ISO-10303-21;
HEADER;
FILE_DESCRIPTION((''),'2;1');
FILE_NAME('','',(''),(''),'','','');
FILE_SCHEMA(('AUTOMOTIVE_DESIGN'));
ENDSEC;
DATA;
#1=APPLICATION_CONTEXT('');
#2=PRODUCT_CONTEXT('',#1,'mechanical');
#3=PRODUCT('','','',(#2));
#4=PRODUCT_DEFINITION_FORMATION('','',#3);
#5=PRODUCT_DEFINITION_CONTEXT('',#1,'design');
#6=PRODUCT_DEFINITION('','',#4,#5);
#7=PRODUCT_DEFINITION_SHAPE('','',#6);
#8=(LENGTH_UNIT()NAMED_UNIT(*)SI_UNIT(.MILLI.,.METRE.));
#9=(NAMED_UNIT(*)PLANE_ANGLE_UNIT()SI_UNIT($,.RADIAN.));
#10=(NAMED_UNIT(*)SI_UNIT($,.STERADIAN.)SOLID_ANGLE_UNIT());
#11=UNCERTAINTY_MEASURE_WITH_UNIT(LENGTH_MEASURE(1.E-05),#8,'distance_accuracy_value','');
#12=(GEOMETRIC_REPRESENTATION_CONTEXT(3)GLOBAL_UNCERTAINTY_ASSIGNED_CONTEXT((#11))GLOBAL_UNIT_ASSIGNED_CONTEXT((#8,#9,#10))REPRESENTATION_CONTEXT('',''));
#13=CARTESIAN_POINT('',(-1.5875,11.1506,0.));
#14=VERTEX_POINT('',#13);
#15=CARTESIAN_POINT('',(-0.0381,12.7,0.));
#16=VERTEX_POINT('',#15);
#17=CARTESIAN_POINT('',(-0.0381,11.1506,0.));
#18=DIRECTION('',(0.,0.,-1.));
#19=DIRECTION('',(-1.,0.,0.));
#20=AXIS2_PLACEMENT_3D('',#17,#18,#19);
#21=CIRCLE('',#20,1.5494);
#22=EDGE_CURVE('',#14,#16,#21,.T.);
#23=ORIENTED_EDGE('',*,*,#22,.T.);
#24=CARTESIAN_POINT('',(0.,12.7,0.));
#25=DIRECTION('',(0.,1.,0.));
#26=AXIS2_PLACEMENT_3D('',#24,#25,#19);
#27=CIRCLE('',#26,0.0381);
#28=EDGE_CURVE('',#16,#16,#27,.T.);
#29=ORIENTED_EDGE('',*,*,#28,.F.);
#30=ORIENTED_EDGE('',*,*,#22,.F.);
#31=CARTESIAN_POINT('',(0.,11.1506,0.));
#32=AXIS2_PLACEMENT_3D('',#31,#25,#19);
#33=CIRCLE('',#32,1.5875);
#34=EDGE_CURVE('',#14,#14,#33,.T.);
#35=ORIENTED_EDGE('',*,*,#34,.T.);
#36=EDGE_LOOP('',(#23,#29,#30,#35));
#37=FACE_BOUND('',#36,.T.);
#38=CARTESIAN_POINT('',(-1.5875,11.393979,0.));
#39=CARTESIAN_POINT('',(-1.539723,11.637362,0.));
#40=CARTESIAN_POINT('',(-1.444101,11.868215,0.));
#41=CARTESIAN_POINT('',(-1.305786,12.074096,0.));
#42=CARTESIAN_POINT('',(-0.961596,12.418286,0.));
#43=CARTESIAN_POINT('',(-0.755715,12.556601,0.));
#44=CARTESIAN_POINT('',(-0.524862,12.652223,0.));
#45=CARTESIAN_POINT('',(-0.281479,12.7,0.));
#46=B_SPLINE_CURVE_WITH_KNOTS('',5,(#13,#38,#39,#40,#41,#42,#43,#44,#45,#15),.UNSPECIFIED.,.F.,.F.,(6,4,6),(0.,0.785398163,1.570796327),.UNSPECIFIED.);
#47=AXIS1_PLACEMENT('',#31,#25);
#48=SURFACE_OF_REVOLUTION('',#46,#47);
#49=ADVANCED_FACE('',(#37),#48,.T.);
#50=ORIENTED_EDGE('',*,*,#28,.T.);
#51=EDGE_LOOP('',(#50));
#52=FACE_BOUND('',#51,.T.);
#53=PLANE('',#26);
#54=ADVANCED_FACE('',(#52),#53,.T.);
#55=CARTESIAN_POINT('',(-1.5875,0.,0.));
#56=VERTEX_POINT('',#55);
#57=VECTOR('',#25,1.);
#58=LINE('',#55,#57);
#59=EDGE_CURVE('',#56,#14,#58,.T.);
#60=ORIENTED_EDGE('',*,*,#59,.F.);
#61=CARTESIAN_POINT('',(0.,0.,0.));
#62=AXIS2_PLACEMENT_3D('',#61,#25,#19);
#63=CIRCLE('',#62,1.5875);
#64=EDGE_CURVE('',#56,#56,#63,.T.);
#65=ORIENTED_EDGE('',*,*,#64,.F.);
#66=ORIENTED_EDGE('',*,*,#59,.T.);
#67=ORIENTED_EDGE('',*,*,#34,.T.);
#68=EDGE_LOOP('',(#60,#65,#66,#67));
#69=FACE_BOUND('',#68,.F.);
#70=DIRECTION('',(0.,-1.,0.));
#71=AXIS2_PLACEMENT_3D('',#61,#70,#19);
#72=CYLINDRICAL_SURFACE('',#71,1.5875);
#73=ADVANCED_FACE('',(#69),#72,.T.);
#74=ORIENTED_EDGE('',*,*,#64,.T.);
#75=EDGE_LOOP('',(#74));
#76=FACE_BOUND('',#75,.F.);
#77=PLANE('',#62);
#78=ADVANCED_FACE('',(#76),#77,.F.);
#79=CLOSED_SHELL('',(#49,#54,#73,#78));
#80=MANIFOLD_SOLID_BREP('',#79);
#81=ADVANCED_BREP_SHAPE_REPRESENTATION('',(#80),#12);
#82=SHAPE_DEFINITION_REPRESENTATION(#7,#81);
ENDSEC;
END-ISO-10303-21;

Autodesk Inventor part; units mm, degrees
ref_plane "YZ Plane" through (0, 0, 0) normal (1, 0, 0) x (0, 1, 0)
ref_plane "XZ Plane" through (0, 0, 0) normal (0, 1, 0) x (-1, 0, 0)
ref_plane "XY Plane" through (0, 0, 0) normal (0, 0, 1) x (1, 0, 0)
sketch "Sketch1" plane through (0, 0, 0) normal (0, 1, 0) x (-1, 0, 0)
  circle A0 centre (0, 0) radius 1.5875
  dimension "d0" = 3.175
extrude "Extrusion1" add sketch "Sketch1" along normal blind 12.7
fillet "Fillet1" radius 1.5494 1 edges at (1.5875, 12.7, 0)
properties part number "Tempsensor" material "Steel, High Strength, Low Alloy"
